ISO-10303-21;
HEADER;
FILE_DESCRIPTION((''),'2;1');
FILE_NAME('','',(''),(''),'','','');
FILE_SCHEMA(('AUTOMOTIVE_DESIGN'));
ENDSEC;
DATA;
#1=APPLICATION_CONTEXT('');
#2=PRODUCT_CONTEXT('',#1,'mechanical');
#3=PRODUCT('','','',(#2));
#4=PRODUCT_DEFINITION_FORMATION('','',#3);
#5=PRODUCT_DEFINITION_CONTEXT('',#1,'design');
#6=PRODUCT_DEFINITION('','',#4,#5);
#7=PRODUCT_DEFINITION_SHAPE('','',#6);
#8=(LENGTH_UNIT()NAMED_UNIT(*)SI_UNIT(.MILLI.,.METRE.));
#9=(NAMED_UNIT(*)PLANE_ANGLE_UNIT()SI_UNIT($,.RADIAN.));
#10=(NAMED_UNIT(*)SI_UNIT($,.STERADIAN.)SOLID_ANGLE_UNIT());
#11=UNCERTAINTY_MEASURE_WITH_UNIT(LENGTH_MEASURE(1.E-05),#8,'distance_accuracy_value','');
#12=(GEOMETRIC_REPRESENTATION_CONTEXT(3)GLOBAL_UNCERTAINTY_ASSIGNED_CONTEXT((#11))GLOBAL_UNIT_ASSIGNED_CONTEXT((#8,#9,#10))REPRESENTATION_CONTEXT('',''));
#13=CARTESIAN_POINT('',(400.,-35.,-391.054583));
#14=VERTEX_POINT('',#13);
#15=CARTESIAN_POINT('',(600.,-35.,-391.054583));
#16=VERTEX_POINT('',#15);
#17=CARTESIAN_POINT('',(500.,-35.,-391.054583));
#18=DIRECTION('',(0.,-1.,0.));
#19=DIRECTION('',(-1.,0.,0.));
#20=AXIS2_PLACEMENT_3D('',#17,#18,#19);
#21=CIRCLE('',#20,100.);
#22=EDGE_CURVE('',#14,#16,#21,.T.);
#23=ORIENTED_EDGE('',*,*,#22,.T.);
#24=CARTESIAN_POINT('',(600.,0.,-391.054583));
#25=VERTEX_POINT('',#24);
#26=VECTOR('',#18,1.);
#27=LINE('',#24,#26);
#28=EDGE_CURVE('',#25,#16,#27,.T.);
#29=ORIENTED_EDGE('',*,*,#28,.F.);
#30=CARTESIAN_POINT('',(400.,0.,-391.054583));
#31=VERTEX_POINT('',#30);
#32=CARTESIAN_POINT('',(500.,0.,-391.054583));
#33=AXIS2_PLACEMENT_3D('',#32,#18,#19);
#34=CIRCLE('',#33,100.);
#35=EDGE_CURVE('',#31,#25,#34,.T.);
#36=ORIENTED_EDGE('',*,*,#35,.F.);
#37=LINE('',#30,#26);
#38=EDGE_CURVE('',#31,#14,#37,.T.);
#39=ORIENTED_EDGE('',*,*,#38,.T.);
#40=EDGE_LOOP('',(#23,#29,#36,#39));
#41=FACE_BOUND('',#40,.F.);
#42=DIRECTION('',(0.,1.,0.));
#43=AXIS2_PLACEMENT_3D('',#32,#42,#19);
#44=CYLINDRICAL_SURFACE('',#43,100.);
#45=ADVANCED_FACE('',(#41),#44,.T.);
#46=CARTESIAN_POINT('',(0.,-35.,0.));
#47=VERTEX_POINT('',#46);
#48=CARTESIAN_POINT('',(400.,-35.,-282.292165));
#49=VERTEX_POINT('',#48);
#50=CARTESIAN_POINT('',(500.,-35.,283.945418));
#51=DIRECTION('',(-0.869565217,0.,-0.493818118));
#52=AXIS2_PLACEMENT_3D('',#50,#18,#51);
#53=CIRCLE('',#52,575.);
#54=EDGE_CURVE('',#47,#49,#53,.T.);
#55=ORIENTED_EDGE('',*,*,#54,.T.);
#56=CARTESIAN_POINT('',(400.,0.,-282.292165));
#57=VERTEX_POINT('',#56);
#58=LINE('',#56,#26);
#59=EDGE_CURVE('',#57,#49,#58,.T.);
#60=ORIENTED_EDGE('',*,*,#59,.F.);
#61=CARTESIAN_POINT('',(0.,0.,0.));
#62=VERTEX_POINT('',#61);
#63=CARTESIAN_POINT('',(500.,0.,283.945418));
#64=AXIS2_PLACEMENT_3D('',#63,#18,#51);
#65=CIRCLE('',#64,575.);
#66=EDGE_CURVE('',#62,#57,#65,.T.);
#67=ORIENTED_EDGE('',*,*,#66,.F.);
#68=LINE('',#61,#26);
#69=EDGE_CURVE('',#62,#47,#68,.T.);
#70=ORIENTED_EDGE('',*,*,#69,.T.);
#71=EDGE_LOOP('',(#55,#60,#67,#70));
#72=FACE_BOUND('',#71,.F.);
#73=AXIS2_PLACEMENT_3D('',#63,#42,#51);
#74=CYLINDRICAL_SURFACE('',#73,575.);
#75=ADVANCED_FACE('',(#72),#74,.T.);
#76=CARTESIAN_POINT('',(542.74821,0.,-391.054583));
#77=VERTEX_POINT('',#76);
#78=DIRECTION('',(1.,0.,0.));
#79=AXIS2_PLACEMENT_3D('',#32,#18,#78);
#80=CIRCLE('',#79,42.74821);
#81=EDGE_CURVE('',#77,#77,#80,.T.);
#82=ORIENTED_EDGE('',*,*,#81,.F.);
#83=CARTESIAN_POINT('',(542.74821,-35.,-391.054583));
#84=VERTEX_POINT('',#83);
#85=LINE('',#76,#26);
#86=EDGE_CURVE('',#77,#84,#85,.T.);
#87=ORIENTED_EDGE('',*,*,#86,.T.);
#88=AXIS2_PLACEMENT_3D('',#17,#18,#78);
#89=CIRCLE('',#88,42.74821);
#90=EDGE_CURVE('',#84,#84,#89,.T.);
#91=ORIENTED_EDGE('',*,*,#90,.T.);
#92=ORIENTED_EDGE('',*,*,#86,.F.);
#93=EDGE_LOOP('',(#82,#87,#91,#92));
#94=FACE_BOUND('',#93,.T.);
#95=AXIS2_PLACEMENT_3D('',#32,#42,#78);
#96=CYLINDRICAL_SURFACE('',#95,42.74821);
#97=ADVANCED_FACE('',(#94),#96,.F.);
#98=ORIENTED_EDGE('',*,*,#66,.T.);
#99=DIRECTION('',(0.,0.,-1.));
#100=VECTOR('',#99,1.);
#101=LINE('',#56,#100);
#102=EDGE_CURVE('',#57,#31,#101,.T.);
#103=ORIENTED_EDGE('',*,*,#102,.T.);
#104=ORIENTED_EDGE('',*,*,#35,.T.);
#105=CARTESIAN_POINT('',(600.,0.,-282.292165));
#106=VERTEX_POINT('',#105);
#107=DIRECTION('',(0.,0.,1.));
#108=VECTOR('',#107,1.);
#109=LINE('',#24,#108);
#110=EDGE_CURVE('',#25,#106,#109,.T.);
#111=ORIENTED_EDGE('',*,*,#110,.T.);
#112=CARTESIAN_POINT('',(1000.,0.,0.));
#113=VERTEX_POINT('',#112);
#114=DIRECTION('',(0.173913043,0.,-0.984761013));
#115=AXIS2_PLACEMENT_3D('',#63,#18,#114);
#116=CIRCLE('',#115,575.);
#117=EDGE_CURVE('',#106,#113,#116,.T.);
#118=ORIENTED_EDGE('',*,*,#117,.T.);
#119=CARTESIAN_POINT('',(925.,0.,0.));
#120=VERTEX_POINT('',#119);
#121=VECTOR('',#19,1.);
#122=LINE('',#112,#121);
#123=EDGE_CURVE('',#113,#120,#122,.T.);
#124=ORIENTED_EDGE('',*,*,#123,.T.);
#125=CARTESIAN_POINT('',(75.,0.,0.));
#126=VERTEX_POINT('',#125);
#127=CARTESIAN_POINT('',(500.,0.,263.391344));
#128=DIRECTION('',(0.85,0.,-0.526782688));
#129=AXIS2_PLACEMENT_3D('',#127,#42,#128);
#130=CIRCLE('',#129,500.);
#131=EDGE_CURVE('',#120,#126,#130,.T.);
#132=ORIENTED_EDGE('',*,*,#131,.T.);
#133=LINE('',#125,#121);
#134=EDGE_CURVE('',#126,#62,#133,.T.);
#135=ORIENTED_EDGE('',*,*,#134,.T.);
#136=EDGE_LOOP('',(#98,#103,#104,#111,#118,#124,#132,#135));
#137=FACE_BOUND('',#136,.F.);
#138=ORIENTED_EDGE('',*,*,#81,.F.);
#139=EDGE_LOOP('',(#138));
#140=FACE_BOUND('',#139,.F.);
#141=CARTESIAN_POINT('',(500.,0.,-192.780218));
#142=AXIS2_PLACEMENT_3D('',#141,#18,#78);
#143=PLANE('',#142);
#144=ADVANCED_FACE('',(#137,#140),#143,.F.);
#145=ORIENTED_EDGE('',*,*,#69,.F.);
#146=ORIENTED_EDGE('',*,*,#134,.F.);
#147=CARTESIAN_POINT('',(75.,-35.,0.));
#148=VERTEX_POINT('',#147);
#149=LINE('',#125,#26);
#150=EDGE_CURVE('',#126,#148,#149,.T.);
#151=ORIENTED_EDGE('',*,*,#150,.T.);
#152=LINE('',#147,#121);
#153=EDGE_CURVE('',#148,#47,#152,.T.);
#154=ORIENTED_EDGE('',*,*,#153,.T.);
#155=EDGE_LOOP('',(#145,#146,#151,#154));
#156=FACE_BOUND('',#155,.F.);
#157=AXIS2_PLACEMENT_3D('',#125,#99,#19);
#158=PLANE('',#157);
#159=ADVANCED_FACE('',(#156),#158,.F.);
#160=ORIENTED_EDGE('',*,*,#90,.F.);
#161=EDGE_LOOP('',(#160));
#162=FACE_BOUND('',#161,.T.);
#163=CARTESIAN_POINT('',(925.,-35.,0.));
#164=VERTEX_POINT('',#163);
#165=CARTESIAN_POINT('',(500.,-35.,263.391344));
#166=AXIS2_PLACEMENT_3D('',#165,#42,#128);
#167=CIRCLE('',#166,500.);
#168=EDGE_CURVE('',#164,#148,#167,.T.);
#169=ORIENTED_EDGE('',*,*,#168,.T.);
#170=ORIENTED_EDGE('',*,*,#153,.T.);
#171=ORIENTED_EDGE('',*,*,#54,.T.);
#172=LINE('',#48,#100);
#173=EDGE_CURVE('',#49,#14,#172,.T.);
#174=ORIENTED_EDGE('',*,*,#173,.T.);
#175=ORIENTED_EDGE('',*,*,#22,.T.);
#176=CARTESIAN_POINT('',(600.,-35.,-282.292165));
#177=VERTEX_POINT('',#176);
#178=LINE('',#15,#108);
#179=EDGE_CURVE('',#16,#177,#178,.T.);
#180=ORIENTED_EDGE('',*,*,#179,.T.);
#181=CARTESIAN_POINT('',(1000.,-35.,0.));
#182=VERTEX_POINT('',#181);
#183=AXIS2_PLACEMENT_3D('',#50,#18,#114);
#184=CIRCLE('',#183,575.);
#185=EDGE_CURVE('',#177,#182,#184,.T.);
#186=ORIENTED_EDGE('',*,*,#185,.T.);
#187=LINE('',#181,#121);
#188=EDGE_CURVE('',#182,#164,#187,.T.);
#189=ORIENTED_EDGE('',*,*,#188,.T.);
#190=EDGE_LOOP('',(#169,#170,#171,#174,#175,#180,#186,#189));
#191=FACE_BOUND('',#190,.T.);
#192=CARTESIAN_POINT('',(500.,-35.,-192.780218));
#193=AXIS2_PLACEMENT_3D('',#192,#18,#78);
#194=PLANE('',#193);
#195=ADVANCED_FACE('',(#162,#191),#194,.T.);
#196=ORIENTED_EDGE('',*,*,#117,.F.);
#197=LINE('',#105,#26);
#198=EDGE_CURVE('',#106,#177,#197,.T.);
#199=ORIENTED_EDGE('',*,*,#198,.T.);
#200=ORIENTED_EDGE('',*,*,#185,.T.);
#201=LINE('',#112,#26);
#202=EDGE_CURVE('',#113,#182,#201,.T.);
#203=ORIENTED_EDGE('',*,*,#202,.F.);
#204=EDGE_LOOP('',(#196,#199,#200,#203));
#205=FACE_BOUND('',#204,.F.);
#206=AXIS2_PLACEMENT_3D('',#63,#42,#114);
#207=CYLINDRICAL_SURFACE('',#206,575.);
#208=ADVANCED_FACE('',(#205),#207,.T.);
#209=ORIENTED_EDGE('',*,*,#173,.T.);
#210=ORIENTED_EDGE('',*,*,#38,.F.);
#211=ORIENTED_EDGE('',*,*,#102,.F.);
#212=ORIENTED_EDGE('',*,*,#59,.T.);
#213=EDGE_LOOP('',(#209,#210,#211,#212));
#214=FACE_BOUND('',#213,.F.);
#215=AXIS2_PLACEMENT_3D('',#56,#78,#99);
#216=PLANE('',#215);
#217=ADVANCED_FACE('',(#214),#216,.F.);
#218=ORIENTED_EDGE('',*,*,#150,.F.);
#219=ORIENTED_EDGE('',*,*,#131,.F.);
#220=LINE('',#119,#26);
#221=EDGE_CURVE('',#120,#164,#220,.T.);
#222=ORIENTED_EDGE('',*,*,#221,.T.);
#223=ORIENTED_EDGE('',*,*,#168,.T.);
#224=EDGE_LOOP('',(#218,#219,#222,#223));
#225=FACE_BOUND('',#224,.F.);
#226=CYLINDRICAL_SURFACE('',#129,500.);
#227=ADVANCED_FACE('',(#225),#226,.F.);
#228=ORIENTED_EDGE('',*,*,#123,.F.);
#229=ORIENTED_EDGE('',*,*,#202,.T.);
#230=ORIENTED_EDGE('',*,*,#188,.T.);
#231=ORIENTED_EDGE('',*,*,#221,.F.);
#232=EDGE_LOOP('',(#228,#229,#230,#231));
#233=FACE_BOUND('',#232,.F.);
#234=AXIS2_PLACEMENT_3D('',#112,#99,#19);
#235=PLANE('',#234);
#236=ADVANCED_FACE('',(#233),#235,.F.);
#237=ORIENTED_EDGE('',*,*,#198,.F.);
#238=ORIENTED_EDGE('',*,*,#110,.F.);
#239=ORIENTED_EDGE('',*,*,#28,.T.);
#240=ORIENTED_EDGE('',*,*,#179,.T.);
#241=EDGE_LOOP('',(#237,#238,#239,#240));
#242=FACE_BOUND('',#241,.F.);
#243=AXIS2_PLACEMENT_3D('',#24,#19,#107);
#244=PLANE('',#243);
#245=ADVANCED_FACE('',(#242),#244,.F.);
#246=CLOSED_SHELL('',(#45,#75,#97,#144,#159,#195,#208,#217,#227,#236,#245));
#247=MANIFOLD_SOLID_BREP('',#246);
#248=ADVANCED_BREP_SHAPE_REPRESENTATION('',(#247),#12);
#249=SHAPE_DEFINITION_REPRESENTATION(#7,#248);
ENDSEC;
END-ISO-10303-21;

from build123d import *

# Parameters (mm, degrees)
F0_R     = 42.74821
F1_DEPTH = 35


with BuildPart() as f1:
    # F0 (on Front) → F1 (new body)
    with BuildSketch(Plane.XZ):
        with BuildLine():
            Line((75, 0), (0, 0))
            ThreePointArc((0, 0), (168.454805, -185.844731), (400, -282.292165))
            Line((400, -282.292165), (400, -391.054583))
            ThreePointArc((400, -391.054583), (500, -491.054583), (600, -391.054583))
            Line((600, -391.054583), (600, -282.292165))
            ThreePointArc((600, -282.292165), (831.545195, -185.844731), (1000, 0))
            Line((1000, 0), (925, 0))
            ThreePointArc((925, 0), (500, -236.608656), (75, 0))
        make_face()
        with Locations((500, -391.054583)):
            Circle(F0_R, mode=Mode.SUBTRACT)
    extrude(amount=F1_DEPTH)


solid = f1.part
